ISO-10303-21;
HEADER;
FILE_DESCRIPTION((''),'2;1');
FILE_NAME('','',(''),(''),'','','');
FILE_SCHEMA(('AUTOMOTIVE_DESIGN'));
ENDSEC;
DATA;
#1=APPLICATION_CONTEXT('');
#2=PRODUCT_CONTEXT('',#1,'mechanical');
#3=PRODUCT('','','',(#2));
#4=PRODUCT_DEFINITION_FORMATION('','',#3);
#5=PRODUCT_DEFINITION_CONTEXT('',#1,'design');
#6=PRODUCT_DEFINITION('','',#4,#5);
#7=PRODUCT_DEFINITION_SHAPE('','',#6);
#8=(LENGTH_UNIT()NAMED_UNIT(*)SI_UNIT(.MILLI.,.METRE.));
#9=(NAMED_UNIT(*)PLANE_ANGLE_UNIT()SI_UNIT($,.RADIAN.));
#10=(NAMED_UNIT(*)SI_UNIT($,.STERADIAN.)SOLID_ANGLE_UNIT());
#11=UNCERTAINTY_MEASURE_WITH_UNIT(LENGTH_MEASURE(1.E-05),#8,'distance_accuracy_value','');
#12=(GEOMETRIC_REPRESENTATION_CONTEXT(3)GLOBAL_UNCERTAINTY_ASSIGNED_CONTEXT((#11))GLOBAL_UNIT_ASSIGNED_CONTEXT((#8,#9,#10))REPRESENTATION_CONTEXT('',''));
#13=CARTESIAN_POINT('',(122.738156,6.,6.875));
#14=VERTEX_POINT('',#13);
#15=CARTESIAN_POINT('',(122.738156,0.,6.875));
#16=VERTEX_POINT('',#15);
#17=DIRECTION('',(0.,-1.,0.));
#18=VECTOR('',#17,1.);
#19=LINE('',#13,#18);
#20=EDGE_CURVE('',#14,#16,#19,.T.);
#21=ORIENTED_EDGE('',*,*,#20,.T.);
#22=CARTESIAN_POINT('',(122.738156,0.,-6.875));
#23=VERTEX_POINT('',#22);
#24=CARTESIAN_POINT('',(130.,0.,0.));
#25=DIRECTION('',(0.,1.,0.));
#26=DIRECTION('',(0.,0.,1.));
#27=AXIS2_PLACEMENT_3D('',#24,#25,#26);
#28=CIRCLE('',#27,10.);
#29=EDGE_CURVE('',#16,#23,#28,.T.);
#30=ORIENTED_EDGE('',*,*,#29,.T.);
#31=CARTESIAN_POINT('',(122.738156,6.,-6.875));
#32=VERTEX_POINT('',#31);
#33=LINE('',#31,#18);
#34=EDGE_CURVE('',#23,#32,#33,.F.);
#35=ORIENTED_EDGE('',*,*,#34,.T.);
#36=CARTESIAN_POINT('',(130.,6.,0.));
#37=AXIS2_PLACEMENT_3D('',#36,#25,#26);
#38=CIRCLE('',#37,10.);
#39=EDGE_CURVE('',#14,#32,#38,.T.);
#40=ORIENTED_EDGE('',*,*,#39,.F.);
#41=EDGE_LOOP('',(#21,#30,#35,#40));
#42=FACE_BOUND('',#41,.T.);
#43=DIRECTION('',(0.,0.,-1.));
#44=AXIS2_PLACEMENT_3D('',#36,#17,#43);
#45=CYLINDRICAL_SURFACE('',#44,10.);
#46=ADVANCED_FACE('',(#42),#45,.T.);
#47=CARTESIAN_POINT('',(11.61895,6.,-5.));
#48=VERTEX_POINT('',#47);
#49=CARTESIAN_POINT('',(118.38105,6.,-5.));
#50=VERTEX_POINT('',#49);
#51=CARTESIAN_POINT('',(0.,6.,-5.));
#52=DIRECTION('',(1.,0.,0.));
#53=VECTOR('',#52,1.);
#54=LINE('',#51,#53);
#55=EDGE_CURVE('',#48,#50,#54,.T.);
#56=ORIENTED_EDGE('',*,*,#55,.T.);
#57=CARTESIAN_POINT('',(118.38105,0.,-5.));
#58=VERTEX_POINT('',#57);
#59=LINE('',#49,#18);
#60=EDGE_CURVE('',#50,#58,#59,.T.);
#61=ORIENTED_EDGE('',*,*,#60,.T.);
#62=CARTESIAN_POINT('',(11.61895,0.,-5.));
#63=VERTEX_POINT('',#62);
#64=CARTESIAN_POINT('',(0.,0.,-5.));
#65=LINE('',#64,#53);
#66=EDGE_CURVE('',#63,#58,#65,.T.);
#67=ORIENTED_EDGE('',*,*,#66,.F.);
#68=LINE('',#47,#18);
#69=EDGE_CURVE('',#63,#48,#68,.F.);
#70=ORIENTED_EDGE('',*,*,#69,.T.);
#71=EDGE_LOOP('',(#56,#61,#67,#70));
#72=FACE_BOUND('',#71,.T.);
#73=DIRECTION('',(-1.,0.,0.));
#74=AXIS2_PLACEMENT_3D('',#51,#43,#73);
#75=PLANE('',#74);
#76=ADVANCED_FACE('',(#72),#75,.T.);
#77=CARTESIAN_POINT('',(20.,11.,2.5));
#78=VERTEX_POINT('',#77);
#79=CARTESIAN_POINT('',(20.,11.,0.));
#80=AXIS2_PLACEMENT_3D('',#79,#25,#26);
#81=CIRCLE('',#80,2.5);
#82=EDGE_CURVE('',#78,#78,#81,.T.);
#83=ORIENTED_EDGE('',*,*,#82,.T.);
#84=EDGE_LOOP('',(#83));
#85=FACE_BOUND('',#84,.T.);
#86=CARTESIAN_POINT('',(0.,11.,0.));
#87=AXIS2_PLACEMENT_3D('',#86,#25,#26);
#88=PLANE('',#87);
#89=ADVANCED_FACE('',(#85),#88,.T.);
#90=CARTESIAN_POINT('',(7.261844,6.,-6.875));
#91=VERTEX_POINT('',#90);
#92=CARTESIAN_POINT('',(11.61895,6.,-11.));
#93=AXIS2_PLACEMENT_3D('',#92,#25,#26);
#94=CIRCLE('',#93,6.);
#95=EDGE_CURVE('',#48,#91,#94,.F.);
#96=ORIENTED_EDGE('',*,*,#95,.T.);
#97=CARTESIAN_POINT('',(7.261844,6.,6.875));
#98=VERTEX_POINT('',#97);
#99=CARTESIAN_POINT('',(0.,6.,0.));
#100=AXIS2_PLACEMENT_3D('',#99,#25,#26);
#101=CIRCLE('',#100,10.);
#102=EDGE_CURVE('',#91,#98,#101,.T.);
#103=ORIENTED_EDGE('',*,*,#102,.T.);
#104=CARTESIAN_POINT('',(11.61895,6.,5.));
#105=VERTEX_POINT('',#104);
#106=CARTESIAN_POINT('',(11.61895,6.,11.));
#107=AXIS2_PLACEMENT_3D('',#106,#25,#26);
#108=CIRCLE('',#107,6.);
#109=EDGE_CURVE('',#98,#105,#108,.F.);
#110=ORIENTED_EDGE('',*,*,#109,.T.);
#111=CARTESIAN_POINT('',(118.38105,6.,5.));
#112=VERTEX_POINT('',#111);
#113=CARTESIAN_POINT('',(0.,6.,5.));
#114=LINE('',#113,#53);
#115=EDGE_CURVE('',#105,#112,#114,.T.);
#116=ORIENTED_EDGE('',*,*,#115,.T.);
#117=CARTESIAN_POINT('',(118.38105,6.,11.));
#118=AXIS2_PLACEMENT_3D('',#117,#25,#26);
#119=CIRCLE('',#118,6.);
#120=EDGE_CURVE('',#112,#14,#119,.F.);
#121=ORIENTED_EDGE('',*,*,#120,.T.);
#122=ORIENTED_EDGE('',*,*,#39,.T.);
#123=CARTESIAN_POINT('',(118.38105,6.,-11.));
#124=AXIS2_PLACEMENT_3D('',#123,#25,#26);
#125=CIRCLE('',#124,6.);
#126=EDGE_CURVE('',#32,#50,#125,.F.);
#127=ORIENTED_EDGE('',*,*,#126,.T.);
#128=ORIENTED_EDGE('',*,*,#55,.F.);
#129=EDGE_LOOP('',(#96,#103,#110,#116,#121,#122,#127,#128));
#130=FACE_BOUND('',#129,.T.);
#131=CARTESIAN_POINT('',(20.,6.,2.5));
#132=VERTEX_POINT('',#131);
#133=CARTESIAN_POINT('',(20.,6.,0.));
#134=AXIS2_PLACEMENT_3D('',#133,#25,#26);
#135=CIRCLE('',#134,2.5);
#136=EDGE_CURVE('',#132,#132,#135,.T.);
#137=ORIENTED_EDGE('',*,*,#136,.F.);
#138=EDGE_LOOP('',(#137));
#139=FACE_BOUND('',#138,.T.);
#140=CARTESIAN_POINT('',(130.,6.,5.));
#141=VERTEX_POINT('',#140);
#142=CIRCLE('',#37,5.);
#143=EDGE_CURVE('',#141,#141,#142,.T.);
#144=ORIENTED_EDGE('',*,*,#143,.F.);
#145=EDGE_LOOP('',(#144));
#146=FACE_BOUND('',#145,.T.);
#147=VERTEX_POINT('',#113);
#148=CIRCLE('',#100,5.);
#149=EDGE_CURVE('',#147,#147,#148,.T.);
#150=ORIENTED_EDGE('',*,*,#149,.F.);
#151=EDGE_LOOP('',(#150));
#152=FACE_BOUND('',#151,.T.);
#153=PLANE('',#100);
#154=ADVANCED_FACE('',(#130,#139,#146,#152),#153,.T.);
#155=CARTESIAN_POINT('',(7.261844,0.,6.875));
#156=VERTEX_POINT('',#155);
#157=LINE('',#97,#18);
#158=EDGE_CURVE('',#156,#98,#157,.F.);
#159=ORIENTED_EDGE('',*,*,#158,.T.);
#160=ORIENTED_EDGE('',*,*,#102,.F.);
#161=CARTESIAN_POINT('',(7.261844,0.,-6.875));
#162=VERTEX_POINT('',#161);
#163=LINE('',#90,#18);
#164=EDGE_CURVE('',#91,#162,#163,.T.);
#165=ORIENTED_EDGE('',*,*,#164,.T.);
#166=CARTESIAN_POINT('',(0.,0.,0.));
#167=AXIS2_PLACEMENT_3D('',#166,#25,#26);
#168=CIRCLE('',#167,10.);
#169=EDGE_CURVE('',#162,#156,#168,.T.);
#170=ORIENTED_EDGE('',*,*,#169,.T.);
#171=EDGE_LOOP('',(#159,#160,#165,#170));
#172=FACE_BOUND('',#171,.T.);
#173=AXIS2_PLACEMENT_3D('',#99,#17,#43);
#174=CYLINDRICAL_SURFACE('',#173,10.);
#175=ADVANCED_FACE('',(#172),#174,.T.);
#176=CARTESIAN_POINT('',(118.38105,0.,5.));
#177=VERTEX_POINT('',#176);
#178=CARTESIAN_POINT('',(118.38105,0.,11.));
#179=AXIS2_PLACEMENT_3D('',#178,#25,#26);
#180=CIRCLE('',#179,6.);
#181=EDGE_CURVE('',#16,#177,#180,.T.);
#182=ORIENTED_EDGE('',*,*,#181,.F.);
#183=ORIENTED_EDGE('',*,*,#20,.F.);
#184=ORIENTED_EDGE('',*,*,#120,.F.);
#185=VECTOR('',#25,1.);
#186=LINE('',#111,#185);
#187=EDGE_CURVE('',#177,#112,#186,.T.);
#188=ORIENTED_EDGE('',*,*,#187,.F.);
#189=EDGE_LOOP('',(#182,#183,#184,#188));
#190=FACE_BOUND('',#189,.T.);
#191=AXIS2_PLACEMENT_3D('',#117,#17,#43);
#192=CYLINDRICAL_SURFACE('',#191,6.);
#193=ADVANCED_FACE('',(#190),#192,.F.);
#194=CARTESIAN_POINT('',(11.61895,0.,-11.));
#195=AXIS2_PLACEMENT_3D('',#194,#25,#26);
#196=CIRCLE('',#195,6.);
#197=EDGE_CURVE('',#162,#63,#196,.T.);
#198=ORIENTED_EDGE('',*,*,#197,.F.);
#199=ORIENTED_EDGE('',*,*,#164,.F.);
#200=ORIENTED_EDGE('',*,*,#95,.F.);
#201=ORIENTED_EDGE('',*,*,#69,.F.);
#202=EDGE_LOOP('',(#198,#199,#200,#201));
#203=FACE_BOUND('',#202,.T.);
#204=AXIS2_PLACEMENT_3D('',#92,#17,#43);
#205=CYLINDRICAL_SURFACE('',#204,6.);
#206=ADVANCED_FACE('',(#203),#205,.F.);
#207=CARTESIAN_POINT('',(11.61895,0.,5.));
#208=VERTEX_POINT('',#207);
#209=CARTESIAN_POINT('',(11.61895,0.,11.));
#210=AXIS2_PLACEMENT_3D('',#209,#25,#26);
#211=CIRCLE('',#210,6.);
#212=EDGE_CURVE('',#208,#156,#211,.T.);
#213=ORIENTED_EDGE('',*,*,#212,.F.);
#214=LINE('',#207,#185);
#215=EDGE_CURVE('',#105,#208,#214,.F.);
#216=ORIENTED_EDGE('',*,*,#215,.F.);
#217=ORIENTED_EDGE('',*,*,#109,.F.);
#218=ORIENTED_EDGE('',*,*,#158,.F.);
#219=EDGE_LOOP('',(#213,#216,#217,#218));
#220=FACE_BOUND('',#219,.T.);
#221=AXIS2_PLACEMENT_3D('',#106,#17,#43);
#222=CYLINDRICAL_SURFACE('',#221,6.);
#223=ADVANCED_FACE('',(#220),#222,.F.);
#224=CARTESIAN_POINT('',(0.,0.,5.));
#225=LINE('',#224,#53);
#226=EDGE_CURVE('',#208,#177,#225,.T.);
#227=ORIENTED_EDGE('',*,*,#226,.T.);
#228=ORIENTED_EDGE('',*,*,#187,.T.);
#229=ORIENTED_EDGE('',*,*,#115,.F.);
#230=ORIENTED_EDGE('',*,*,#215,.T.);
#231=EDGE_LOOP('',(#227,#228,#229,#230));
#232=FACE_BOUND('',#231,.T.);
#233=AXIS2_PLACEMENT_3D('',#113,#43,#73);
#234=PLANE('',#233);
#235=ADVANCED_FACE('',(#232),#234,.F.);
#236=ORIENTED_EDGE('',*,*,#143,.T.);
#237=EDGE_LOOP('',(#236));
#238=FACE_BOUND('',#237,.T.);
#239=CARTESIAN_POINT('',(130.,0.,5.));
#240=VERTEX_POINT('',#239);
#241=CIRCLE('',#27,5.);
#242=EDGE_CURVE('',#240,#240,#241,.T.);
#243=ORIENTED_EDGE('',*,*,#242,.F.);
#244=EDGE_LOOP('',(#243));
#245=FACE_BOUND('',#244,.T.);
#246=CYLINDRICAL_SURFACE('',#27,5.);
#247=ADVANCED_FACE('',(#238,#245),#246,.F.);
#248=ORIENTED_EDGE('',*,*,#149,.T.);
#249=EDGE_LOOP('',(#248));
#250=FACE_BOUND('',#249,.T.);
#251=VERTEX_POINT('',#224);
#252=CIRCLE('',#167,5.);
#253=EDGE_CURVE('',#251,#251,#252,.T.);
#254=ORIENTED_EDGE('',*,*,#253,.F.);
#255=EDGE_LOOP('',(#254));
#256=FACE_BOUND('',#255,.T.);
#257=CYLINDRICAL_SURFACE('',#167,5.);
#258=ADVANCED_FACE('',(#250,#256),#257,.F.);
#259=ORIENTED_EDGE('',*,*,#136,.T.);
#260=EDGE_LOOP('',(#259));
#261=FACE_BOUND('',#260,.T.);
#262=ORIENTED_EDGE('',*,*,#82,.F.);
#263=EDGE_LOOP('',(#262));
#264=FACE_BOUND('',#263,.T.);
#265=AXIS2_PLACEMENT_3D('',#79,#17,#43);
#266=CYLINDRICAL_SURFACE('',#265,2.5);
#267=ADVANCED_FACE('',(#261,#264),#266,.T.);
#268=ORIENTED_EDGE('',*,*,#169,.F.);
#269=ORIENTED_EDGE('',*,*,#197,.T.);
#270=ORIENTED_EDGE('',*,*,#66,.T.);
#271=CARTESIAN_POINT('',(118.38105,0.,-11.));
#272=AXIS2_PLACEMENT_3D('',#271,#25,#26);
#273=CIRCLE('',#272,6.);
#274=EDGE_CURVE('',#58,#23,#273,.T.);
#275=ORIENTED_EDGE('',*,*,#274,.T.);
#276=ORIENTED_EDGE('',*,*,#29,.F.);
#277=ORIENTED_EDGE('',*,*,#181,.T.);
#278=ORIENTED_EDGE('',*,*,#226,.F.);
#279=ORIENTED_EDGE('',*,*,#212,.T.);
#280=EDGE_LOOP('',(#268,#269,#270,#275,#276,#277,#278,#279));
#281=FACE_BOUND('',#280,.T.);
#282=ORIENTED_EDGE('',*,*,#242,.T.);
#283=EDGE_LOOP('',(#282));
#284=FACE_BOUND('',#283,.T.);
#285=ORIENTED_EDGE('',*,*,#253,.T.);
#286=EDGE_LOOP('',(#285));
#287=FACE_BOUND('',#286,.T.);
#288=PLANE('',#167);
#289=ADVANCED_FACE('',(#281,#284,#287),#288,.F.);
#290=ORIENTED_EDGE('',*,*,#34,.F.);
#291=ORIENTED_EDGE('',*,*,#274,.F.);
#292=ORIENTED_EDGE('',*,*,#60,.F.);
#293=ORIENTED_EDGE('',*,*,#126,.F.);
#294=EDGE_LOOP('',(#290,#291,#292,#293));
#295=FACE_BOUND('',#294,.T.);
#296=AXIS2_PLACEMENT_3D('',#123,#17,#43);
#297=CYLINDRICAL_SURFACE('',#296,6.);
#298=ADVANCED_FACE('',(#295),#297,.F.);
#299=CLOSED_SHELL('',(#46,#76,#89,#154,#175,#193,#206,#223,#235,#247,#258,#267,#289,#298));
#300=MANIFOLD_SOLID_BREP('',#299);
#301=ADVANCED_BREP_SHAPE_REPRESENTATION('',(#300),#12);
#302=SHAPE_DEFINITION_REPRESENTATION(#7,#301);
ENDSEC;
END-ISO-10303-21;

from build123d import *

# Parameters (mm, degrees)
EXTRUDE_1_DEPTH     = 6
FILLET_1_R          = 6
SKETCH_2_R          = 5
CUT_EXTRUDE_1_DEPTH = 6
SKETCH_3_R          = 2.5
EXTRUDE_2_DEPTH     = 5


with BuildPart() as part:
    # 草图1 → 凸台-拉伸1 (new body)
    with BuildSketch(Plane(origin=(0, 0, 0), x_dir=(1, 0, 0), z_dir=(0, 1, 0))):
        with BuildLine():
            Line((0, 5), (0, 0))
            Line((0, 0), (0, -5))
            Line((0, -5), (8.660254038, -5))
            ThreePointArc((8.660254038, -5), (9.659258263, -2.588190451), (10, 0))
            ThreePointArc((10, 0), (9.659258263, 2.588190451), (8.660254038, 5))
            Line((8.660254038, 5), (0, 5))
        make_face()
        with BuildLine():
            Line((0, -5), (0, 0))
            Line((0, 0), (0, 5))
            Line((0, 5), (8.660254038, 5))
            ThreePointArc((8.660254038, 5), (-10, 0), (8.660254038, -5))
            Line((8.660254038, -5), (0, -5))
        make_face()
        with BuildLine():
            ThreePointArc((10, 0), (9.659258263, -2.588190451), (8.660254038, -5))
            Line((8.660254038, -5), (121.339745962, -5))
            ThreePointArc((121.339745962, -5), (120, 0), (121.339745962, 5))
            Line((121.339745962, 5), (8.660254038, 5))
            ThreePointArc((8.660254038, 5), (9.659258263, 2.588190451), (10, 0))
        make_face()
        with BuildLine():
            Line((0, 5), (0, 0))
            Line((0, 0), (0, -5))
            Line((0, -5), (8.660254038, -5))
            ThreePointArc((8.660254038, -5), (9.659258263, -2.588190451), (10, 0))
            ThreePointArc((10, 0), (9.659258263, 2.588190451), (8.660254038, 5))
            Line((8.660254038, 5), (0, 5))
        make_face()
        with BuildLine():
            Line((0, -5), (0, 0))
            Line((0, 0), (0, 5))
            Line((0, 5), (8.660254038, 5))
            ThreePointArc((8.660254038, 5), (-10, 0), (8.660254038, -5))
            Line((8.660254038, -5), (0, -5))
        make_face()
        with BuildLine():
            ThreePointArc((121.339745962, 5), (120, 0), (121.339745962, -5))
            Line((121.339745962, -5), (130, -5))
            Line((130, -5), (130, 5))
            Line((130, 5), (121.339745962, 5))
        make_face()
        with BuildLine():
            Line((130, -5), (121.339745962, -5))
            ThreePointArc((121.339745962, -5), (132.588190451, -9.659258263), (140, 0))
            ThreePointArc((140, 0), (132.588190451, 9.659258263), (121.339745962, 5))
            Line((121.339745962, 5), (130, 5))
            Line((130, 5), (130, -5))
        make_face()
        with BuildLine():
            ThreePointArc((121.339745962, 5), (120, 0), (121.339745962, -5))
            Line((121.339745962, -5), (130, -5))
            Line((130, -5), (130, 5))
            Line((130, 5), (121.339745962, 5))
        make_face()
        with BuildLine():
            Line((130, -5), (121.339745962, -5))
            ThreePointArc((121.339745962, -5), (132.588190451, -9.659258263), (140, 0))
            ThreePointArc((140, 0), (132.588190451, 9.659258263), (121.339745962, 5))
            Line((121.339745962, 5), (130, 5))
            Line((130, 5), (130, -5))
        make_face()
    extrude(amount=EXTRUDE_1_DEPTH)

    # 圆角1
    fillet_1_edges = [part.edges().sort_by_distance(p)[0] for p in [
        (8.660254038, 3, -5),
        (121.339745962, 3, -5),
        (121.339745962, 3, 5),
        (8.660254038, 3, 5),
    ]]
    fillet(fillet_1_edges, radius=FILLET_1_R)

    # 草图2 → 切除-拉伸1 (cut)
    with BuildSketch(Plane(origin=(0, 6, 0), x_dir=(1, 0, 0), z_dir=(0, 1, 0))):
        with Locations(Location((0, 0, 0), (0, 0, 270))):
            Circle(SKETCH_2_R)
        with Locations(Location((130, 0, 0), (0, 0, 270))):
            Circle(SKETCH_2_R)
    extrude(amount=-CUT_EXTRUDE_1_DEPTH, mode=Mode.SUBTRACT)

    # 草图3 → 凸台-拉伸2 (add)
    with BuildSketch(Plane(origin=(0, 6, 0), x_dir=(1, 0, 0), z_dir=(0, 1, 0))):
        with Locations(Location((20, 0, 0), (0, 0, 270))):
            Circle(SKETCH_3_R)
    extrude(amount=EXTRUDE_2_DEPTH)


solid = part.part
